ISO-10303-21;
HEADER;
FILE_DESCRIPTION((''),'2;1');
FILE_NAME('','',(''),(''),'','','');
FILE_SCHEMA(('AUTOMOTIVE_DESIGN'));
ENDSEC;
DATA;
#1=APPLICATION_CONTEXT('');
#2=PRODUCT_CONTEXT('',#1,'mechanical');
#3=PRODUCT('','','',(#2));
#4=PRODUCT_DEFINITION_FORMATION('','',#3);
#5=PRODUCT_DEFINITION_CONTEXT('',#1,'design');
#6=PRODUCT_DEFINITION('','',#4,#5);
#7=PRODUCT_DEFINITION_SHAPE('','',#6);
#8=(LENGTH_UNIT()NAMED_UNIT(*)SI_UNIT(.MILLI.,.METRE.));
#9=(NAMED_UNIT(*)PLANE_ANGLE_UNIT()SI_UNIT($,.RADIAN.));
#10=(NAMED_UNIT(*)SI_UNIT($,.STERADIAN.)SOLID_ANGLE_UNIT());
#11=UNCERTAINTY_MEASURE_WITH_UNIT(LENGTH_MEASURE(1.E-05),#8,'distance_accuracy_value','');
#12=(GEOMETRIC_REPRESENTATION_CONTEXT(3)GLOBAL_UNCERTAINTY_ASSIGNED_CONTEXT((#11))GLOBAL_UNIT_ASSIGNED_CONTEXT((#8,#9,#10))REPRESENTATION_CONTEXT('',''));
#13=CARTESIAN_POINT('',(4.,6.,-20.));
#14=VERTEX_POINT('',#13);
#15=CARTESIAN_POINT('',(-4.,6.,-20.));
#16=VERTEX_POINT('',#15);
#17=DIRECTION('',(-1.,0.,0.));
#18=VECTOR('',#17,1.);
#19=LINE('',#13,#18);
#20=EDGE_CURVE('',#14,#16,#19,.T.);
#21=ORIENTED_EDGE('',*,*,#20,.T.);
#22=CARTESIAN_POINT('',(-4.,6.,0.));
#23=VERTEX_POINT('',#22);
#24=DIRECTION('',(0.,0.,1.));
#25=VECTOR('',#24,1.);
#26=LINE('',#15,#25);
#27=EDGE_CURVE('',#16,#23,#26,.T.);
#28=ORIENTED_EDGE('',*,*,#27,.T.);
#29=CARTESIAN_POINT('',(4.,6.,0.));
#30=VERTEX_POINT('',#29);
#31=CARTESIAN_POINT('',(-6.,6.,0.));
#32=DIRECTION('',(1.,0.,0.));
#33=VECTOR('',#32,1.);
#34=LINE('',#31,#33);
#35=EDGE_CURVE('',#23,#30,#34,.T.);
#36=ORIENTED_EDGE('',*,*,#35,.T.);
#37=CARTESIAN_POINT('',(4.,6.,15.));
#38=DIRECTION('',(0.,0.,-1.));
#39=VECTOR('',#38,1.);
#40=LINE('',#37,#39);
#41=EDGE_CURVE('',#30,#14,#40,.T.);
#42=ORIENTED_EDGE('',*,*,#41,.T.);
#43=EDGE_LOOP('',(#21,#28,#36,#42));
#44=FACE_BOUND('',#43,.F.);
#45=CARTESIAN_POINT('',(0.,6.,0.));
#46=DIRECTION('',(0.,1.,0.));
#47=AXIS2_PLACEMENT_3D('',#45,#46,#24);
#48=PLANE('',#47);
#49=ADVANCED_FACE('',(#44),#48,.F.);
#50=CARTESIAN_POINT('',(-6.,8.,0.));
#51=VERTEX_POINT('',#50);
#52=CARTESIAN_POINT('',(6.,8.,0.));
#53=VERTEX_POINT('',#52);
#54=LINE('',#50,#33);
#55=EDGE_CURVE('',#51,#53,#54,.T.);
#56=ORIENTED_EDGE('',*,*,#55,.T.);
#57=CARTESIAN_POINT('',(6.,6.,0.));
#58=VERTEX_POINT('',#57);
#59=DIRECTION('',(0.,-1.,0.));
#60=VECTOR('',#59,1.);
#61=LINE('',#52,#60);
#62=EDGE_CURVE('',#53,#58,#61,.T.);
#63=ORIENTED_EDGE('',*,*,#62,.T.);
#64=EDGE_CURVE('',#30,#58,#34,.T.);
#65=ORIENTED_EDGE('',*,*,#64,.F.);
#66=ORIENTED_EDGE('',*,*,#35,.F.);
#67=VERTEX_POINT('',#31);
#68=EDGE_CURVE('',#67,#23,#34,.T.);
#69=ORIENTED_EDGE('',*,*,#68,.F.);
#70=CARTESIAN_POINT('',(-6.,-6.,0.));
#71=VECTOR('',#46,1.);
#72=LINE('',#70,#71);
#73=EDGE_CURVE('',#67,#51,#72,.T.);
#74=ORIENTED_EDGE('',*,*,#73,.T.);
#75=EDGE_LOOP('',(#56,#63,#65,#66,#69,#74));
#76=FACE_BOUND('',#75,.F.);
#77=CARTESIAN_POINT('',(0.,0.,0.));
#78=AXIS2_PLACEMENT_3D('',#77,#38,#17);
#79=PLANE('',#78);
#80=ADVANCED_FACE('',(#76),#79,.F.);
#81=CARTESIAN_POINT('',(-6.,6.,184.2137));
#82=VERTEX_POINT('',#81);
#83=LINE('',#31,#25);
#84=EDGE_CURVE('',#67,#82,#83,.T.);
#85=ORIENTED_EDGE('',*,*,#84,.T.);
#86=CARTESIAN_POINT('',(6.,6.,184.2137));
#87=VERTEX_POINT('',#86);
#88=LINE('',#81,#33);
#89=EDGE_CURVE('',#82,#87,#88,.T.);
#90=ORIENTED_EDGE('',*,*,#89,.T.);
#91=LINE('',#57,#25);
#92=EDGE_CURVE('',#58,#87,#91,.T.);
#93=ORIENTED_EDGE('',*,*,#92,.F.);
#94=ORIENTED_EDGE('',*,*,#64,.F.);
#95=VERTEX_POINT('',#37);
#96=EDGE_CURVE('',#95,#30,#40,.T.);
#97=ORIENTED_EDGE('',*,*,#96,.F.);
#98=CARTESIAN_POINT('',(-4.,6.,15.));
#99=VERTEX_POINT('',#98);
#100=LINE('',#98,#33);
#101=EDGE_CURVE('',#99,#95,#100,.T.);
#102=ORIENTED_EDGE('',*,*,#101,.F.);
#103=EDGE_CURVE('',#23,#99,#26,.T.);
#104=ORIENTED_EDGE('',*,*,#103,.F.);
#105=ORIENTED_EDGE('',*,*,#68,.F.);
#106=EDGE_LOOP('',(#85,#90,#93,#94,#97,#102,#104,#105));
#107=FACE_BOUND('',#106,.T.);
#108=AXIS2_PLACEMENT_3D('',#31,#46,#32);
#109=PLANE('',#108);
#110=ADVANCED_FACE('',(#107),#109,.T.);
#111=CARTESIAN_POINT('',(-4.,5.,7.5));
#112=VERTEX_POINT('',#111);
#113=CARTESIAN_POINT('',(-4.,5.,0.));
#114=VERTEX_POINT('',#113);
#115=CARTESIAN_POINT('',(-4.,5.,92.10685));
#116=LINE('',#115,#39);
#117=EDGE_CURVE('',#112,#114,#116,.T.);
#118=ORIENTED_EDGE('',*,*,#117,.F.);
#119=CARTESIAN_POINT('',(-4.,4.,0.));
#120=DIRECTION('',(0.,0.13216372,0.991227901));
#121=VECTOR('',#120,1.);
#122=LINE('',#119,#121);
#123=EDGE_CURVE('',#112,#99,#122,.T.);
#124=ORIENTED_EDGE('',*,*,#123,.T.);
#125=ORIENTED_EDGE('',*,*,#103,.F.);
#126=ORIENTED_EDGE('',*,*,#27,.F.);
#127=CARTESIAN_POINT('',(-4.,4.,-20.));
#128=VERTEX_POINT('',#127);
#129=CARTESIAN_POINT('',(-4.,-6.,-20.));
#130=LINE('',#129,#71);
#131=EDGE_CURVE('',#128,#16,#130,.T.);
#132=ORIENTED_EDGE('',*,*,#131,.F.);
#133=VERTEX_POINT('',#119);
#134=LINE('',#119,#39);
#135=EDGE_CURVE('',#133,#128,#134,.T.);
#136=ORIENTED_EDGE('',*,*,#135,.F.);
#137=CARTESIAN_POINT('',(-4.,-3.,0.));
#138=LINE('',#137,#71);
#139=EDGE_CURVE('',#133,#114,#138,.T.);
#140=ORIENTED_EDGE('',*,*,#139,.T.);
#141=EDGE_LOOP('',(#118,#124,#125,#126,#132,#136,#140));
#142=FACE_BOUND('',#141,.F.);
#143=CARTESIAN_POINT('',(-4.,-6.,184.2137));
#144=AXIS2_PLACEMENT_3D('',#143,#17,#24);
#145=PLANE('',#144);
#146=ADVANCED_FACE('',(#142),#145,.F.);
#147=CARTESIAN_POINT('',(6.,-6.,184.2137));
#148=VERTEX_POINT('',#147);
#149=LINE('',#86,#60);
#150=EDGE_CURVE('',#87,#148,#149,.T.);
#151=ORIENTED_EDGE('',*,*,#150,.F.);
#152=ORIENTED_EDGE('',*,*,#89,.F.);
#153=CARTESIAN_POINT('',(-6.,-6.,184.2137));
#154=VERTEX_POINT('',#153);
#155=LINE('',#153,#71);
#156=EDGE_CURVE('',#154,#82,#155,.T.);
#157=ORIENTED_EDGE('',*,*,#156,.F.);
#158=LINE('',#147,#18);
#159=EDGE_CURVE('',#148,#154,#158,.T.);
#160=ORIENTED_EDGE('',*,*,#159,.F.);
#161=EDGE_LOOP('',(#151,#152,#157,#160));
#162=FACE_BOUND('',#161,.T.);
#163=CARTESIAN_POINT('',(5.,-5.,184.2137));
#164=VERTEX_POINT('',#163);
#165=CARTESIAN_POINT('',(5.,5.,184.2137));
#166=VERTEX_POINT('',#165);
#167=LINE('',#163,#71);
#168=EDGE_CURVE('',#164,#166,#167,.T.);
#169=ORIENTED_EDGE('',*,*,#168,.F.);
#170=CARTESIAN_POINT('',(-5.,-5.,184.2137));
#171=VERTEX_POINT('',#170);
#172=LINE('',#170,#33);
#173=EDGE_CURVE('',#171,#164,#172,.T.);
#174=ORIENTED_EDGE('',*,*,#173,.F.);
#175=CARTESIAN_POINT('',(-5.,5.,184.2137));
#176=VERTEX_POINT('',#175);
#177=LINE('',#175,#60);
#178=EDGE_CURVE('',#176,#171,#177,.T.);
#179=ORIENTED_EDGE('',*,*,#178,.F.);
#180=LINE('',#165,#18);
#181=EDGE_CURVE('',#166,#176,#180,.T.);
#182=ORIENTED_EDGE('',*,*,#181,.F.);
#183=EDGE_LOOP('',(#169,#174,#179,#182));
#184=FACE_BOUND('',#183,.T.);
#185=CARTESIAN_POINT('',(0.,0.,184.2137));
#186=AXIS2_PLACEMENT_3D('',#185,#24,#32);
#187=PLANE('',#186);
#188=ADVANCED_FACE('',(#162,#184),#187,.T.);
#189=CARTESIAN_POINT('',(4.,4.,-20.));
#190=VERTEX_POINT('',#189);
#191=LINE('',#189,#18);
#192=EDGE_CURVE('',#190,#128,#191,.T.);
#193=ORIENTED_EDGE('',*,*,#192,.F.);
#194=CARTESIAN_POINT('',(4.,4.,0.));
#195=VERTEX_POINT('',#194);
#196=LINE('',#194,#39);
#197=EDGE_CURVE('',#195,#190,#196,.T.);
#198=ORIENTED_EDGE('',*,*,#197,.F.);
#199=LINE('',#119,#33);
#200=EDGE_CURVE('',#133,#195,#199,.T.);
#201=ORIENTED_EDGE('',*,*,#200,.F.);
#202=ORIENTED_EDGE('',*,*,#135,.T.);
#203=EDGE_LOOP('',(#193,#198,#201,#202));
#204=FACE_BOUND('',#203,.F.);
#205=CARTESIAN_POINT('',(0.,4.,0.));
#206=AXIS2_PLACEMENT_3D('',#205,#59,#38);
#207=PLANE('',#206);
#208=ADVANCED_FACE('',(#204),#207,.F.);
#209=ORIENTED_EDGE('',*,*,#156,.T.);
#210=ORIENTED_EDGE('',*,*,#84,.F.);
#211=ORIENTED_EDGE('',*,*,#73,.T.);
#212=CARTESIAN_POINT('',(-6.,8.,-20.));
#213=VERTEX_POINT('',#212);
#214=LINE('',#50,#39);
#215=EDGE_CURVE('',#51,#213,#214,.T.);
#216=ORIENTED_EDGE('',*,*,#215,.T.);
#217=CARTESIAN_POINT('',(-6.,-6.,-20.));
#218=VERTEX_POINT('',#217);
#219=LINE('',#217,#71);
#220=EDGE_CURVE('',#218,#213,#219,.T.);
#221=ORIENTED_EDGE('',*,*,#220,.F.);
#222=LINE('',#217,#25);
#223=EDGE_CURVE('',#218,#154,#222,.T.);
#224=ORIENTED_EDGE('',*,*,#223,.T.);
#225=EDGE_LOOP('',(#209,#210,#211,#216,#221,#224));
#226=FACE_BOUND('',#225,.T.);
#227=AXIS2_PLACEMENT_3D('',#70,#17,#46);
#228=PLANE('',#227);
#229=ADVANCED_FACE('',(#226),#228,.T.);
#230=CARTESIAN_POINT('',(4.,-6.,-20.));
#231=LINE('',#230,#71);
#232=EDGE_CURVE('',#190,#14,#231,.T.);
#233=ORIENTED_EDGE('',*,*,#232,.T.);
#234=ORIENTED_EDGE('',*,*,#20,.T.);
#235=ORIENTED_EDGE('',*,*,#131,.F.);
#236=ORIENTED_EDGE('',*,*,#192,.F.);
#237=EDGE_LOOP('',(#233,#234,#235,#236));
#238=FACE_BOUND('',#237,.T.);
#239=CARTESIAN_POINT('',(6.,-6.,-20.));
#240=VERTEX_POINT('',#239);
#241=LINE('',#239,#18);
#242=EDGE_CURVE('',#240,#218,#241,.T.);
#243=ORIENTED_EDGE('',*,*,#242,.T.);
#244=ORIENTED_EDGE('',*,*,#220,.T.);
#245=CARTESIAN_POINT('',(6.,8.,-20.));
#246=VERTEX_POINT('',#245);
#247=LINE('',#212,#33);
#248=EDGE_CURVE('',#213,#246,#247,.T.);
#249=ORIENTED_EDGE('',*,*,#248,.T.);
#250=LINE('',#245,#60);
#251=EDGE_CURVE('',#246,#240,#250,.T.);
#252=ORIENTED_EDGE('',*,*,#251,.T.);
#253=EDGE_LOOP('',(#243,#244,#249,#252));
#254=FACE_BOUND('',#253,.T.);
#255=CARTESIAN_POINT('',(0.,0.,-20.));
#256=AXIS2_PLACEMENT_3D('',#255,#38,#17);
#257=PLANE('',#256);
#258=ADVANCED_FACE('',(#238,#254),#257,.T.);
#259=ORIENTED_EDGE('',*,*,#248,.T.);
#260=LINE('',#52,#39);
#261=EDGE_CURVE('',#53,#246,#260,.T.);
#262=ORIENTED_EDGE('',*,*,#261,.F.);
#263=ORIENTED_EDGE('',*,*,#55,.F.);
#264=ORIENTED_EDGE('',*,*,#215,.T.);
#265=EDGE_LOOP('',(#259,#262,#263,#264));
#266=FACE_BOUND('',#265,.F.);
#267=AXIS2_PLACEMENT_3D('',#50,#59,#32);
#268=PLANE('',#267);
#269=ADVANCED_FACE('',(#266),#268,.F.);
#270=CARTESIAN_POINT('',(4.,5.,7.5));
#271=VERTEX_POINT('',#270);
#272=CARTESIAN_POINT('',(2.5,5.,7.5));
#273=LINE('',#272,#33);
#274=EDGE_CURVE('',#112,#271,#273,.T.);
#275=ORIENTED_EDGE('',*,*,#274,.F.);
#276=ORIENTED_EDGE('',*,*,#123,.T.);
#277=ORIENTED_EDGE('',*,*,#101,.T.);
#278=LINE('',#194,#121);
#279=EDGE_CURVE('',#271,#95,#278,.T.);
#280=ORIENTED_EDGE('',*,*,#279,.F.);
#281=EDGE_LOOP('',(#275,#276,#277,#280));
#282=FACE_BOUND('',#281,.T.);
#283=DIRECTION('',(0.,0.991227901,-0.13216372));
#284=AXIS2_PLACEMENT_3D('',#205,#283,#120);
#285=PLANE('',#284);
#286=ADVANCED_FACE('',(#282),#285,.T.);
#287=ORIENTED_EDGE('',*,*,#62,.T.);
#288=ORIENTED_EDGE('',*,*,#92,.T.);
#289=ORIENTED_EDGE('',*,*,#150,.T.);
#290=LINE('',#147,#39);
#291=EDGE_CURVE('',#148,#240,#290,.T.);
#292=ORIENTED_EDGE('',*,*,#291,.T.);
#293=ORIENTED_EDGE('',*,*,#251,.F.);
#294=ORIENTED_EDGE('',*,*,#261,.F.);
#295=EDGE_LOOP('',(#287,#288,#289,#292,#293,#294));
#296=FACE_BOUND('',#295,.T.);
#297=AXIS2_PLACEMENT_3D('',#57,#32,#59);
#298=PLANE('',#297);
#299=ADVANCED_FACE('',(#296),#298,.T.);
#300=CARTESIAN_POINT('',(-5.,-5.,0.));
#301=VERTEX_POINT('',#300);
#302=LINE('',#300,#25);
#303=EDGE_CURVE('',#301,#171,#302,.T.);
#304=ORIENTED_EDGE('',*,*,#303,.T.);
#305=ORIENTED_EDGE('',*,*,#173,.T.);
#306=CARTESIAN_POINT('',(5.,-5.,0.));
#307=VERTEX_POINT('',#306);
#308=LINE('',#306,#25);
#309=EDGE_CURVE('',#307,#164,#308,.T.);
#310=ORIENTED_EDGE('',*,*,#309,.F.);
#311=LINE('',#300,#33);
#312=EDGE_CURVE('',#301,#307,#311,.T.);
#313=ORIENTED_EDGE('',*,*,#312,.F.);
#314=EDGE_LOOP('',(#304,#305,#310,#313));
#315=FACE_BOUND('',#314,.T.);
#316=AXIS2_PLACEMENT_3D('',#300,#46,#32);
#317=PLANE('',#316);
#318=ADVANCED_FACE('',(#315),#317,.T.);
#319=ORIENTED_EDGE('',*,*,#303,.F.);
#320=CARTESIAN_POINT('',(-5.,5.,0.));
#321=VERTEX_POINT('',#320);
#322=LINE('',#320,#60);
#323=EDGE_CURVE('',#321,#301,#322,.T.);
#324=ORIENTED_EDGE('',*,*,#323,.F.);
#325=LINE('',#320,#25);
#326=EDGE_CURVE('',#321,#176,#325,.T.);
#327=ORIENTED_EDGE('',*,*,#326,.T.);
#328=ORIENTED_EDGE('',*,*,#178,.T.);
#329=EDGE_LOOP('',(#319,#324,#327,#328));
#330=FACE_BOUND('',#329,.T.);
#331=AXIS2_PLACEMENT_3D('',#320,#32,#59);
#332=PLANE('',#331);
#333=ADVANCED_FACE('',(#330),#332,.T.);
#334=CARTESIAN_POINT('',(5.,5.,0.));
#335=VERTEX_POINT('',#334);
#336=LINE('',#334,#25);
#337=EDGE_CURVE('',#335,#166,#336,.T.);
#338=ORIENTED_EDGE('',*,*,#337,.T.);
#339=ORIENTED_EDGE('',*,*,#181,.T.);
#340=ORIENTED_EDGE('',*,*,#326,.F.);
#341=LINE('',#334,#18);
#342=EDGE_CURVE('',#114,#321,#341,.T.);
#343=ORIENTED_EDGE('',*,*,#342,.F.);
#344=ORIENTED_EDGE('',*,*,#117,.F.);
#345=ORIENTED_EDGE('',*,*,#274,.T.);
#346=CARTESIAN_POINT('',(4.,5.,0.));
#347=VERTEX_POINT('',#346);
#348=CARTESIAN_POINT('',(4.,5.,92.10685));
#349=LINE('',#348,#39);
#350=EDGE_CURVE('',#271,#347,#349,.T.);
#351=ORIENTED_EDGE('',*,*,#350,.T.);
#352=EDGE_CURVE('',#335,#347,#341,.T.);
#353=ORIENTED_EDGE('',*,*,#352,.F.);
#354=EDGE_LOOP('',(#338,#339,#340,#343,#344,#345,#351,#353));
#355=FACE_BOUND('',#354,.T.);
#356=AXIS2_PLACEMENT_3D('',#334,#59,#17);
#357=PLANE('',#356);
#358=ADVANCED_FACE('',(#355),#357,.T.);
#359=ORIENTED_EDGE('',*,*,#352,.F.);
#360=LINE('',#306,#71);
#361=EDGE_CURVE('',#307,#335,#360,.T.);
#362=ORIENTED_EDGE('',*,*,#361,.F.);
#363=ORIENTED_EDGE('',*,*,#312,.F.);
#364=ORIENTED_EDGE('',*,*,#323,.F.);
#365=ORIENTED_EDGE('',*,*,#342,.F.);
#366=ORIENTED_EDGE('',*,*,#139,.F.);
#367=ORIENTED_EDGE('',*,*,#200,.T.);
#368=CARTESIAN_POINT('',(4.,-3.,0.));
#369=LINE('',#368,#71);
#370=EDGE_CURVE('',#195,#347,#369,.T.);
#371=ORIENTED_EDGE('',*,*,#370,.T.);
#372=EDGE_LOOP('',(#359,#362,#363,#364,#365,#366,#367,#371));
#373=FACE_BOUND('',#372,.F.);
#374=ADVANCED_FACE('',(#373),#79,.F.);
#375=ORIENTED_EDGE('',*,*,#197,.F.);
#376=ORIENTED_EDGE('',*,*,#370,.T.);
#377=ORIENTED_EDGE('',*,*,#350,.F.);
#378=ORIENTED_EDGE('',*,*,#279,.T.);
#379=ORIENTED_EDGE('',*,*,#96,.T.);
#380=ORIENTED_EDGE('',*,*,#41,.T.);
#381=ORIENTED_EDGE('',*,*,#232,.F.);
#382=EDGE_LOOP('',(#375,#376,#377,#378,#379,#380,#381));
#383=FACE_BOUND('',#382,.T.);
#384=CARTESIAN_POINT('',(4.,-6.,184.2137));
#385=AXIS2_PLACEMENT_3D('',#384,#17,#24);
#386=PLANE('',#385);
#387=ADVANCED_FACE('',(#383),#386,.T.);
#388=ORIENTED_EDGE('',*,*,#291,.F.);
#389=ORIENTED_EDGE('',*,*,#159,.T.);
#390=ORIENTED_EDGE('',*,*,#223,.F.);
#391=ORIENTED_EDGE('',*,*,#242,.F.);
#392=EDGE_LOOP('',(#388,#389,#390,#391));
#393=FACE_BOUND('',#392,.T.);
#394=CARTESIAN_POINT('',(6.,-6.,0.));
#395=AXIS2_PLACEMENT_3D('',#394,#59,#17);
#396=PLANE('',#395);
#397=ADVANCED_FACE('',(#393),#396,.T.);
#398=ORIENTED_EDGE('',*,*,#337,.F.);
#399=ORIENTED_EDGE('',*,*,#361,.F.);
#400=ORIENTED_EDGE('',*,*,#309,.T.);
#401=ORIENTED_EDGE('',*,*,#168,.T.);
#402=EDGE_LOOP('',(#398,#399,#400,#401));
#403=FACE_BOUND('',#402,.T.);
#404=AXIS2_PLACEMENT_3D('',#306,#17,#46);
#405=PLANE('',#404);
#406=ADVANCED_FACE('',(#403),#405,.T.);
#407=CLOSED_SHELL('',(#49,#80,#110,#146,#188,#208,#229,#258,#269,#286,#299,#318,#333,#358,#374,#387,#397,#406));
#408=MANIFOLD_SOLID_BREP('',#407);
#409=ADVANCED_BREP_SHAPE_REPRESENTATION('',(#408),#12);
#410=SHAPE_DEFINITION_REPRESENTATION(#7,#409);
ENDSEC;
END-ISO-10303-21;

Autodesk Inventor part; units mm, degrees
ref_plane "YZ Plane" through (0, 0, 0) normal (1, 0, 0) x (0, 1, 0)
ref_plane "XZ Plane" through (0, 0, 0) normal (0, 1, 0) x (-1, 0, 0)
sketch "Tube Base Sketch" plane through (0, 0, 0) normal (0, 0, 1) x (1, 0, 0)
  line L0 (-5, -5) -> (5, -5)
  line L1 (5, -5) -> (5, 5)
  line L2 (5, 5) -> (-5, 5)
  line L3 (-5, 5) -> (-5, -5)
  line L4 (-5, -5) -> (5, 5) construction
  line L5 (5, -5) -> (-5, 5) construction
  line L6 (-6, 6) -> (6, 6)
  line L7 (6, 6) -> (6, -6)
  line L8 (6, -6) -> (-6, -6)
  line L9 (-6, -6) -> (-6, 6)
  point P0 (0, 0)
  dimension "TubeWidth" = 10
  dimension "TubeHeight" = 10
  dimension "WallThickness" = 1
extrude "Tube" add sketch "Tube Base Sketch" along normal blind 184.2137
sketch "Cap Sketch" plane through (0, 0, 0) normal (0, 0, -1) x (-1, 0, 0)
  line L0 (-6, -6) -> (6, -6)
  line L1 (6, -6) -> (6, 8)
  line L2 (6, 8) -> (-6, 8)
  line L3 (-6, 8) -> (-6, -6)
  point P0 (0, 0)
  dimension "CapHeight" = 14
extrude "Extrusion6" add sketch "Cap Sketch" along normal blind 20
ref_plane "Work Plane1" through (0, -6, 184.2137) normal (-1, 0, 0) x (0, 0, 1)
sketch "Edge Cut and Slit Sketch" plane through (0, -6, 184.2137) normal (-1, 0, 0) x (0, 0, 1)
  line L0 (-184.2137, 12) -> (0, 12) projected
  line L1 (-184.2137, 11) -> (-184.2137, 1) construction
  line L2 (-184.2137, 12) -> (-184.2137, 10) construction
  line L3 (-184.2137, 10) -> (-169.2137, 12)
  line L4 (-204.2137, 0) -> (-204.2137, 14) projected
  line L5 (-184.2137, 12) -> (-204.2137, 12)
  line L6 (-184.2137, 10) -> (-204.2137, 10)
  point P0 (-184.2137, 6)
  dimension "EdgeCutDepth" = 2
  dimension "EdgeCutLength" = 15
extrude "Edge Cut and Slit" cut sketch "Edge Cut and Slit Sketch" along normal mid plane 8
equation "\"TubeWidth\" = MaxWidth"
equation "\"TubeHeight\" = TubeWidth"
equation "\"TubeLength\" = DesiredLength + PlugLength"
equation "\"EdgeCutDepth\" = 2 * WallThickness"
equation "\"d26\" = TubeWidth - 2 * WallThickness"
equation "\"MaxWidth\" = 10"
equation "\"DesiredLength\" = 164.21369"
equation "\"PlugLength\" = 20"
properties part number "Whistle1"
